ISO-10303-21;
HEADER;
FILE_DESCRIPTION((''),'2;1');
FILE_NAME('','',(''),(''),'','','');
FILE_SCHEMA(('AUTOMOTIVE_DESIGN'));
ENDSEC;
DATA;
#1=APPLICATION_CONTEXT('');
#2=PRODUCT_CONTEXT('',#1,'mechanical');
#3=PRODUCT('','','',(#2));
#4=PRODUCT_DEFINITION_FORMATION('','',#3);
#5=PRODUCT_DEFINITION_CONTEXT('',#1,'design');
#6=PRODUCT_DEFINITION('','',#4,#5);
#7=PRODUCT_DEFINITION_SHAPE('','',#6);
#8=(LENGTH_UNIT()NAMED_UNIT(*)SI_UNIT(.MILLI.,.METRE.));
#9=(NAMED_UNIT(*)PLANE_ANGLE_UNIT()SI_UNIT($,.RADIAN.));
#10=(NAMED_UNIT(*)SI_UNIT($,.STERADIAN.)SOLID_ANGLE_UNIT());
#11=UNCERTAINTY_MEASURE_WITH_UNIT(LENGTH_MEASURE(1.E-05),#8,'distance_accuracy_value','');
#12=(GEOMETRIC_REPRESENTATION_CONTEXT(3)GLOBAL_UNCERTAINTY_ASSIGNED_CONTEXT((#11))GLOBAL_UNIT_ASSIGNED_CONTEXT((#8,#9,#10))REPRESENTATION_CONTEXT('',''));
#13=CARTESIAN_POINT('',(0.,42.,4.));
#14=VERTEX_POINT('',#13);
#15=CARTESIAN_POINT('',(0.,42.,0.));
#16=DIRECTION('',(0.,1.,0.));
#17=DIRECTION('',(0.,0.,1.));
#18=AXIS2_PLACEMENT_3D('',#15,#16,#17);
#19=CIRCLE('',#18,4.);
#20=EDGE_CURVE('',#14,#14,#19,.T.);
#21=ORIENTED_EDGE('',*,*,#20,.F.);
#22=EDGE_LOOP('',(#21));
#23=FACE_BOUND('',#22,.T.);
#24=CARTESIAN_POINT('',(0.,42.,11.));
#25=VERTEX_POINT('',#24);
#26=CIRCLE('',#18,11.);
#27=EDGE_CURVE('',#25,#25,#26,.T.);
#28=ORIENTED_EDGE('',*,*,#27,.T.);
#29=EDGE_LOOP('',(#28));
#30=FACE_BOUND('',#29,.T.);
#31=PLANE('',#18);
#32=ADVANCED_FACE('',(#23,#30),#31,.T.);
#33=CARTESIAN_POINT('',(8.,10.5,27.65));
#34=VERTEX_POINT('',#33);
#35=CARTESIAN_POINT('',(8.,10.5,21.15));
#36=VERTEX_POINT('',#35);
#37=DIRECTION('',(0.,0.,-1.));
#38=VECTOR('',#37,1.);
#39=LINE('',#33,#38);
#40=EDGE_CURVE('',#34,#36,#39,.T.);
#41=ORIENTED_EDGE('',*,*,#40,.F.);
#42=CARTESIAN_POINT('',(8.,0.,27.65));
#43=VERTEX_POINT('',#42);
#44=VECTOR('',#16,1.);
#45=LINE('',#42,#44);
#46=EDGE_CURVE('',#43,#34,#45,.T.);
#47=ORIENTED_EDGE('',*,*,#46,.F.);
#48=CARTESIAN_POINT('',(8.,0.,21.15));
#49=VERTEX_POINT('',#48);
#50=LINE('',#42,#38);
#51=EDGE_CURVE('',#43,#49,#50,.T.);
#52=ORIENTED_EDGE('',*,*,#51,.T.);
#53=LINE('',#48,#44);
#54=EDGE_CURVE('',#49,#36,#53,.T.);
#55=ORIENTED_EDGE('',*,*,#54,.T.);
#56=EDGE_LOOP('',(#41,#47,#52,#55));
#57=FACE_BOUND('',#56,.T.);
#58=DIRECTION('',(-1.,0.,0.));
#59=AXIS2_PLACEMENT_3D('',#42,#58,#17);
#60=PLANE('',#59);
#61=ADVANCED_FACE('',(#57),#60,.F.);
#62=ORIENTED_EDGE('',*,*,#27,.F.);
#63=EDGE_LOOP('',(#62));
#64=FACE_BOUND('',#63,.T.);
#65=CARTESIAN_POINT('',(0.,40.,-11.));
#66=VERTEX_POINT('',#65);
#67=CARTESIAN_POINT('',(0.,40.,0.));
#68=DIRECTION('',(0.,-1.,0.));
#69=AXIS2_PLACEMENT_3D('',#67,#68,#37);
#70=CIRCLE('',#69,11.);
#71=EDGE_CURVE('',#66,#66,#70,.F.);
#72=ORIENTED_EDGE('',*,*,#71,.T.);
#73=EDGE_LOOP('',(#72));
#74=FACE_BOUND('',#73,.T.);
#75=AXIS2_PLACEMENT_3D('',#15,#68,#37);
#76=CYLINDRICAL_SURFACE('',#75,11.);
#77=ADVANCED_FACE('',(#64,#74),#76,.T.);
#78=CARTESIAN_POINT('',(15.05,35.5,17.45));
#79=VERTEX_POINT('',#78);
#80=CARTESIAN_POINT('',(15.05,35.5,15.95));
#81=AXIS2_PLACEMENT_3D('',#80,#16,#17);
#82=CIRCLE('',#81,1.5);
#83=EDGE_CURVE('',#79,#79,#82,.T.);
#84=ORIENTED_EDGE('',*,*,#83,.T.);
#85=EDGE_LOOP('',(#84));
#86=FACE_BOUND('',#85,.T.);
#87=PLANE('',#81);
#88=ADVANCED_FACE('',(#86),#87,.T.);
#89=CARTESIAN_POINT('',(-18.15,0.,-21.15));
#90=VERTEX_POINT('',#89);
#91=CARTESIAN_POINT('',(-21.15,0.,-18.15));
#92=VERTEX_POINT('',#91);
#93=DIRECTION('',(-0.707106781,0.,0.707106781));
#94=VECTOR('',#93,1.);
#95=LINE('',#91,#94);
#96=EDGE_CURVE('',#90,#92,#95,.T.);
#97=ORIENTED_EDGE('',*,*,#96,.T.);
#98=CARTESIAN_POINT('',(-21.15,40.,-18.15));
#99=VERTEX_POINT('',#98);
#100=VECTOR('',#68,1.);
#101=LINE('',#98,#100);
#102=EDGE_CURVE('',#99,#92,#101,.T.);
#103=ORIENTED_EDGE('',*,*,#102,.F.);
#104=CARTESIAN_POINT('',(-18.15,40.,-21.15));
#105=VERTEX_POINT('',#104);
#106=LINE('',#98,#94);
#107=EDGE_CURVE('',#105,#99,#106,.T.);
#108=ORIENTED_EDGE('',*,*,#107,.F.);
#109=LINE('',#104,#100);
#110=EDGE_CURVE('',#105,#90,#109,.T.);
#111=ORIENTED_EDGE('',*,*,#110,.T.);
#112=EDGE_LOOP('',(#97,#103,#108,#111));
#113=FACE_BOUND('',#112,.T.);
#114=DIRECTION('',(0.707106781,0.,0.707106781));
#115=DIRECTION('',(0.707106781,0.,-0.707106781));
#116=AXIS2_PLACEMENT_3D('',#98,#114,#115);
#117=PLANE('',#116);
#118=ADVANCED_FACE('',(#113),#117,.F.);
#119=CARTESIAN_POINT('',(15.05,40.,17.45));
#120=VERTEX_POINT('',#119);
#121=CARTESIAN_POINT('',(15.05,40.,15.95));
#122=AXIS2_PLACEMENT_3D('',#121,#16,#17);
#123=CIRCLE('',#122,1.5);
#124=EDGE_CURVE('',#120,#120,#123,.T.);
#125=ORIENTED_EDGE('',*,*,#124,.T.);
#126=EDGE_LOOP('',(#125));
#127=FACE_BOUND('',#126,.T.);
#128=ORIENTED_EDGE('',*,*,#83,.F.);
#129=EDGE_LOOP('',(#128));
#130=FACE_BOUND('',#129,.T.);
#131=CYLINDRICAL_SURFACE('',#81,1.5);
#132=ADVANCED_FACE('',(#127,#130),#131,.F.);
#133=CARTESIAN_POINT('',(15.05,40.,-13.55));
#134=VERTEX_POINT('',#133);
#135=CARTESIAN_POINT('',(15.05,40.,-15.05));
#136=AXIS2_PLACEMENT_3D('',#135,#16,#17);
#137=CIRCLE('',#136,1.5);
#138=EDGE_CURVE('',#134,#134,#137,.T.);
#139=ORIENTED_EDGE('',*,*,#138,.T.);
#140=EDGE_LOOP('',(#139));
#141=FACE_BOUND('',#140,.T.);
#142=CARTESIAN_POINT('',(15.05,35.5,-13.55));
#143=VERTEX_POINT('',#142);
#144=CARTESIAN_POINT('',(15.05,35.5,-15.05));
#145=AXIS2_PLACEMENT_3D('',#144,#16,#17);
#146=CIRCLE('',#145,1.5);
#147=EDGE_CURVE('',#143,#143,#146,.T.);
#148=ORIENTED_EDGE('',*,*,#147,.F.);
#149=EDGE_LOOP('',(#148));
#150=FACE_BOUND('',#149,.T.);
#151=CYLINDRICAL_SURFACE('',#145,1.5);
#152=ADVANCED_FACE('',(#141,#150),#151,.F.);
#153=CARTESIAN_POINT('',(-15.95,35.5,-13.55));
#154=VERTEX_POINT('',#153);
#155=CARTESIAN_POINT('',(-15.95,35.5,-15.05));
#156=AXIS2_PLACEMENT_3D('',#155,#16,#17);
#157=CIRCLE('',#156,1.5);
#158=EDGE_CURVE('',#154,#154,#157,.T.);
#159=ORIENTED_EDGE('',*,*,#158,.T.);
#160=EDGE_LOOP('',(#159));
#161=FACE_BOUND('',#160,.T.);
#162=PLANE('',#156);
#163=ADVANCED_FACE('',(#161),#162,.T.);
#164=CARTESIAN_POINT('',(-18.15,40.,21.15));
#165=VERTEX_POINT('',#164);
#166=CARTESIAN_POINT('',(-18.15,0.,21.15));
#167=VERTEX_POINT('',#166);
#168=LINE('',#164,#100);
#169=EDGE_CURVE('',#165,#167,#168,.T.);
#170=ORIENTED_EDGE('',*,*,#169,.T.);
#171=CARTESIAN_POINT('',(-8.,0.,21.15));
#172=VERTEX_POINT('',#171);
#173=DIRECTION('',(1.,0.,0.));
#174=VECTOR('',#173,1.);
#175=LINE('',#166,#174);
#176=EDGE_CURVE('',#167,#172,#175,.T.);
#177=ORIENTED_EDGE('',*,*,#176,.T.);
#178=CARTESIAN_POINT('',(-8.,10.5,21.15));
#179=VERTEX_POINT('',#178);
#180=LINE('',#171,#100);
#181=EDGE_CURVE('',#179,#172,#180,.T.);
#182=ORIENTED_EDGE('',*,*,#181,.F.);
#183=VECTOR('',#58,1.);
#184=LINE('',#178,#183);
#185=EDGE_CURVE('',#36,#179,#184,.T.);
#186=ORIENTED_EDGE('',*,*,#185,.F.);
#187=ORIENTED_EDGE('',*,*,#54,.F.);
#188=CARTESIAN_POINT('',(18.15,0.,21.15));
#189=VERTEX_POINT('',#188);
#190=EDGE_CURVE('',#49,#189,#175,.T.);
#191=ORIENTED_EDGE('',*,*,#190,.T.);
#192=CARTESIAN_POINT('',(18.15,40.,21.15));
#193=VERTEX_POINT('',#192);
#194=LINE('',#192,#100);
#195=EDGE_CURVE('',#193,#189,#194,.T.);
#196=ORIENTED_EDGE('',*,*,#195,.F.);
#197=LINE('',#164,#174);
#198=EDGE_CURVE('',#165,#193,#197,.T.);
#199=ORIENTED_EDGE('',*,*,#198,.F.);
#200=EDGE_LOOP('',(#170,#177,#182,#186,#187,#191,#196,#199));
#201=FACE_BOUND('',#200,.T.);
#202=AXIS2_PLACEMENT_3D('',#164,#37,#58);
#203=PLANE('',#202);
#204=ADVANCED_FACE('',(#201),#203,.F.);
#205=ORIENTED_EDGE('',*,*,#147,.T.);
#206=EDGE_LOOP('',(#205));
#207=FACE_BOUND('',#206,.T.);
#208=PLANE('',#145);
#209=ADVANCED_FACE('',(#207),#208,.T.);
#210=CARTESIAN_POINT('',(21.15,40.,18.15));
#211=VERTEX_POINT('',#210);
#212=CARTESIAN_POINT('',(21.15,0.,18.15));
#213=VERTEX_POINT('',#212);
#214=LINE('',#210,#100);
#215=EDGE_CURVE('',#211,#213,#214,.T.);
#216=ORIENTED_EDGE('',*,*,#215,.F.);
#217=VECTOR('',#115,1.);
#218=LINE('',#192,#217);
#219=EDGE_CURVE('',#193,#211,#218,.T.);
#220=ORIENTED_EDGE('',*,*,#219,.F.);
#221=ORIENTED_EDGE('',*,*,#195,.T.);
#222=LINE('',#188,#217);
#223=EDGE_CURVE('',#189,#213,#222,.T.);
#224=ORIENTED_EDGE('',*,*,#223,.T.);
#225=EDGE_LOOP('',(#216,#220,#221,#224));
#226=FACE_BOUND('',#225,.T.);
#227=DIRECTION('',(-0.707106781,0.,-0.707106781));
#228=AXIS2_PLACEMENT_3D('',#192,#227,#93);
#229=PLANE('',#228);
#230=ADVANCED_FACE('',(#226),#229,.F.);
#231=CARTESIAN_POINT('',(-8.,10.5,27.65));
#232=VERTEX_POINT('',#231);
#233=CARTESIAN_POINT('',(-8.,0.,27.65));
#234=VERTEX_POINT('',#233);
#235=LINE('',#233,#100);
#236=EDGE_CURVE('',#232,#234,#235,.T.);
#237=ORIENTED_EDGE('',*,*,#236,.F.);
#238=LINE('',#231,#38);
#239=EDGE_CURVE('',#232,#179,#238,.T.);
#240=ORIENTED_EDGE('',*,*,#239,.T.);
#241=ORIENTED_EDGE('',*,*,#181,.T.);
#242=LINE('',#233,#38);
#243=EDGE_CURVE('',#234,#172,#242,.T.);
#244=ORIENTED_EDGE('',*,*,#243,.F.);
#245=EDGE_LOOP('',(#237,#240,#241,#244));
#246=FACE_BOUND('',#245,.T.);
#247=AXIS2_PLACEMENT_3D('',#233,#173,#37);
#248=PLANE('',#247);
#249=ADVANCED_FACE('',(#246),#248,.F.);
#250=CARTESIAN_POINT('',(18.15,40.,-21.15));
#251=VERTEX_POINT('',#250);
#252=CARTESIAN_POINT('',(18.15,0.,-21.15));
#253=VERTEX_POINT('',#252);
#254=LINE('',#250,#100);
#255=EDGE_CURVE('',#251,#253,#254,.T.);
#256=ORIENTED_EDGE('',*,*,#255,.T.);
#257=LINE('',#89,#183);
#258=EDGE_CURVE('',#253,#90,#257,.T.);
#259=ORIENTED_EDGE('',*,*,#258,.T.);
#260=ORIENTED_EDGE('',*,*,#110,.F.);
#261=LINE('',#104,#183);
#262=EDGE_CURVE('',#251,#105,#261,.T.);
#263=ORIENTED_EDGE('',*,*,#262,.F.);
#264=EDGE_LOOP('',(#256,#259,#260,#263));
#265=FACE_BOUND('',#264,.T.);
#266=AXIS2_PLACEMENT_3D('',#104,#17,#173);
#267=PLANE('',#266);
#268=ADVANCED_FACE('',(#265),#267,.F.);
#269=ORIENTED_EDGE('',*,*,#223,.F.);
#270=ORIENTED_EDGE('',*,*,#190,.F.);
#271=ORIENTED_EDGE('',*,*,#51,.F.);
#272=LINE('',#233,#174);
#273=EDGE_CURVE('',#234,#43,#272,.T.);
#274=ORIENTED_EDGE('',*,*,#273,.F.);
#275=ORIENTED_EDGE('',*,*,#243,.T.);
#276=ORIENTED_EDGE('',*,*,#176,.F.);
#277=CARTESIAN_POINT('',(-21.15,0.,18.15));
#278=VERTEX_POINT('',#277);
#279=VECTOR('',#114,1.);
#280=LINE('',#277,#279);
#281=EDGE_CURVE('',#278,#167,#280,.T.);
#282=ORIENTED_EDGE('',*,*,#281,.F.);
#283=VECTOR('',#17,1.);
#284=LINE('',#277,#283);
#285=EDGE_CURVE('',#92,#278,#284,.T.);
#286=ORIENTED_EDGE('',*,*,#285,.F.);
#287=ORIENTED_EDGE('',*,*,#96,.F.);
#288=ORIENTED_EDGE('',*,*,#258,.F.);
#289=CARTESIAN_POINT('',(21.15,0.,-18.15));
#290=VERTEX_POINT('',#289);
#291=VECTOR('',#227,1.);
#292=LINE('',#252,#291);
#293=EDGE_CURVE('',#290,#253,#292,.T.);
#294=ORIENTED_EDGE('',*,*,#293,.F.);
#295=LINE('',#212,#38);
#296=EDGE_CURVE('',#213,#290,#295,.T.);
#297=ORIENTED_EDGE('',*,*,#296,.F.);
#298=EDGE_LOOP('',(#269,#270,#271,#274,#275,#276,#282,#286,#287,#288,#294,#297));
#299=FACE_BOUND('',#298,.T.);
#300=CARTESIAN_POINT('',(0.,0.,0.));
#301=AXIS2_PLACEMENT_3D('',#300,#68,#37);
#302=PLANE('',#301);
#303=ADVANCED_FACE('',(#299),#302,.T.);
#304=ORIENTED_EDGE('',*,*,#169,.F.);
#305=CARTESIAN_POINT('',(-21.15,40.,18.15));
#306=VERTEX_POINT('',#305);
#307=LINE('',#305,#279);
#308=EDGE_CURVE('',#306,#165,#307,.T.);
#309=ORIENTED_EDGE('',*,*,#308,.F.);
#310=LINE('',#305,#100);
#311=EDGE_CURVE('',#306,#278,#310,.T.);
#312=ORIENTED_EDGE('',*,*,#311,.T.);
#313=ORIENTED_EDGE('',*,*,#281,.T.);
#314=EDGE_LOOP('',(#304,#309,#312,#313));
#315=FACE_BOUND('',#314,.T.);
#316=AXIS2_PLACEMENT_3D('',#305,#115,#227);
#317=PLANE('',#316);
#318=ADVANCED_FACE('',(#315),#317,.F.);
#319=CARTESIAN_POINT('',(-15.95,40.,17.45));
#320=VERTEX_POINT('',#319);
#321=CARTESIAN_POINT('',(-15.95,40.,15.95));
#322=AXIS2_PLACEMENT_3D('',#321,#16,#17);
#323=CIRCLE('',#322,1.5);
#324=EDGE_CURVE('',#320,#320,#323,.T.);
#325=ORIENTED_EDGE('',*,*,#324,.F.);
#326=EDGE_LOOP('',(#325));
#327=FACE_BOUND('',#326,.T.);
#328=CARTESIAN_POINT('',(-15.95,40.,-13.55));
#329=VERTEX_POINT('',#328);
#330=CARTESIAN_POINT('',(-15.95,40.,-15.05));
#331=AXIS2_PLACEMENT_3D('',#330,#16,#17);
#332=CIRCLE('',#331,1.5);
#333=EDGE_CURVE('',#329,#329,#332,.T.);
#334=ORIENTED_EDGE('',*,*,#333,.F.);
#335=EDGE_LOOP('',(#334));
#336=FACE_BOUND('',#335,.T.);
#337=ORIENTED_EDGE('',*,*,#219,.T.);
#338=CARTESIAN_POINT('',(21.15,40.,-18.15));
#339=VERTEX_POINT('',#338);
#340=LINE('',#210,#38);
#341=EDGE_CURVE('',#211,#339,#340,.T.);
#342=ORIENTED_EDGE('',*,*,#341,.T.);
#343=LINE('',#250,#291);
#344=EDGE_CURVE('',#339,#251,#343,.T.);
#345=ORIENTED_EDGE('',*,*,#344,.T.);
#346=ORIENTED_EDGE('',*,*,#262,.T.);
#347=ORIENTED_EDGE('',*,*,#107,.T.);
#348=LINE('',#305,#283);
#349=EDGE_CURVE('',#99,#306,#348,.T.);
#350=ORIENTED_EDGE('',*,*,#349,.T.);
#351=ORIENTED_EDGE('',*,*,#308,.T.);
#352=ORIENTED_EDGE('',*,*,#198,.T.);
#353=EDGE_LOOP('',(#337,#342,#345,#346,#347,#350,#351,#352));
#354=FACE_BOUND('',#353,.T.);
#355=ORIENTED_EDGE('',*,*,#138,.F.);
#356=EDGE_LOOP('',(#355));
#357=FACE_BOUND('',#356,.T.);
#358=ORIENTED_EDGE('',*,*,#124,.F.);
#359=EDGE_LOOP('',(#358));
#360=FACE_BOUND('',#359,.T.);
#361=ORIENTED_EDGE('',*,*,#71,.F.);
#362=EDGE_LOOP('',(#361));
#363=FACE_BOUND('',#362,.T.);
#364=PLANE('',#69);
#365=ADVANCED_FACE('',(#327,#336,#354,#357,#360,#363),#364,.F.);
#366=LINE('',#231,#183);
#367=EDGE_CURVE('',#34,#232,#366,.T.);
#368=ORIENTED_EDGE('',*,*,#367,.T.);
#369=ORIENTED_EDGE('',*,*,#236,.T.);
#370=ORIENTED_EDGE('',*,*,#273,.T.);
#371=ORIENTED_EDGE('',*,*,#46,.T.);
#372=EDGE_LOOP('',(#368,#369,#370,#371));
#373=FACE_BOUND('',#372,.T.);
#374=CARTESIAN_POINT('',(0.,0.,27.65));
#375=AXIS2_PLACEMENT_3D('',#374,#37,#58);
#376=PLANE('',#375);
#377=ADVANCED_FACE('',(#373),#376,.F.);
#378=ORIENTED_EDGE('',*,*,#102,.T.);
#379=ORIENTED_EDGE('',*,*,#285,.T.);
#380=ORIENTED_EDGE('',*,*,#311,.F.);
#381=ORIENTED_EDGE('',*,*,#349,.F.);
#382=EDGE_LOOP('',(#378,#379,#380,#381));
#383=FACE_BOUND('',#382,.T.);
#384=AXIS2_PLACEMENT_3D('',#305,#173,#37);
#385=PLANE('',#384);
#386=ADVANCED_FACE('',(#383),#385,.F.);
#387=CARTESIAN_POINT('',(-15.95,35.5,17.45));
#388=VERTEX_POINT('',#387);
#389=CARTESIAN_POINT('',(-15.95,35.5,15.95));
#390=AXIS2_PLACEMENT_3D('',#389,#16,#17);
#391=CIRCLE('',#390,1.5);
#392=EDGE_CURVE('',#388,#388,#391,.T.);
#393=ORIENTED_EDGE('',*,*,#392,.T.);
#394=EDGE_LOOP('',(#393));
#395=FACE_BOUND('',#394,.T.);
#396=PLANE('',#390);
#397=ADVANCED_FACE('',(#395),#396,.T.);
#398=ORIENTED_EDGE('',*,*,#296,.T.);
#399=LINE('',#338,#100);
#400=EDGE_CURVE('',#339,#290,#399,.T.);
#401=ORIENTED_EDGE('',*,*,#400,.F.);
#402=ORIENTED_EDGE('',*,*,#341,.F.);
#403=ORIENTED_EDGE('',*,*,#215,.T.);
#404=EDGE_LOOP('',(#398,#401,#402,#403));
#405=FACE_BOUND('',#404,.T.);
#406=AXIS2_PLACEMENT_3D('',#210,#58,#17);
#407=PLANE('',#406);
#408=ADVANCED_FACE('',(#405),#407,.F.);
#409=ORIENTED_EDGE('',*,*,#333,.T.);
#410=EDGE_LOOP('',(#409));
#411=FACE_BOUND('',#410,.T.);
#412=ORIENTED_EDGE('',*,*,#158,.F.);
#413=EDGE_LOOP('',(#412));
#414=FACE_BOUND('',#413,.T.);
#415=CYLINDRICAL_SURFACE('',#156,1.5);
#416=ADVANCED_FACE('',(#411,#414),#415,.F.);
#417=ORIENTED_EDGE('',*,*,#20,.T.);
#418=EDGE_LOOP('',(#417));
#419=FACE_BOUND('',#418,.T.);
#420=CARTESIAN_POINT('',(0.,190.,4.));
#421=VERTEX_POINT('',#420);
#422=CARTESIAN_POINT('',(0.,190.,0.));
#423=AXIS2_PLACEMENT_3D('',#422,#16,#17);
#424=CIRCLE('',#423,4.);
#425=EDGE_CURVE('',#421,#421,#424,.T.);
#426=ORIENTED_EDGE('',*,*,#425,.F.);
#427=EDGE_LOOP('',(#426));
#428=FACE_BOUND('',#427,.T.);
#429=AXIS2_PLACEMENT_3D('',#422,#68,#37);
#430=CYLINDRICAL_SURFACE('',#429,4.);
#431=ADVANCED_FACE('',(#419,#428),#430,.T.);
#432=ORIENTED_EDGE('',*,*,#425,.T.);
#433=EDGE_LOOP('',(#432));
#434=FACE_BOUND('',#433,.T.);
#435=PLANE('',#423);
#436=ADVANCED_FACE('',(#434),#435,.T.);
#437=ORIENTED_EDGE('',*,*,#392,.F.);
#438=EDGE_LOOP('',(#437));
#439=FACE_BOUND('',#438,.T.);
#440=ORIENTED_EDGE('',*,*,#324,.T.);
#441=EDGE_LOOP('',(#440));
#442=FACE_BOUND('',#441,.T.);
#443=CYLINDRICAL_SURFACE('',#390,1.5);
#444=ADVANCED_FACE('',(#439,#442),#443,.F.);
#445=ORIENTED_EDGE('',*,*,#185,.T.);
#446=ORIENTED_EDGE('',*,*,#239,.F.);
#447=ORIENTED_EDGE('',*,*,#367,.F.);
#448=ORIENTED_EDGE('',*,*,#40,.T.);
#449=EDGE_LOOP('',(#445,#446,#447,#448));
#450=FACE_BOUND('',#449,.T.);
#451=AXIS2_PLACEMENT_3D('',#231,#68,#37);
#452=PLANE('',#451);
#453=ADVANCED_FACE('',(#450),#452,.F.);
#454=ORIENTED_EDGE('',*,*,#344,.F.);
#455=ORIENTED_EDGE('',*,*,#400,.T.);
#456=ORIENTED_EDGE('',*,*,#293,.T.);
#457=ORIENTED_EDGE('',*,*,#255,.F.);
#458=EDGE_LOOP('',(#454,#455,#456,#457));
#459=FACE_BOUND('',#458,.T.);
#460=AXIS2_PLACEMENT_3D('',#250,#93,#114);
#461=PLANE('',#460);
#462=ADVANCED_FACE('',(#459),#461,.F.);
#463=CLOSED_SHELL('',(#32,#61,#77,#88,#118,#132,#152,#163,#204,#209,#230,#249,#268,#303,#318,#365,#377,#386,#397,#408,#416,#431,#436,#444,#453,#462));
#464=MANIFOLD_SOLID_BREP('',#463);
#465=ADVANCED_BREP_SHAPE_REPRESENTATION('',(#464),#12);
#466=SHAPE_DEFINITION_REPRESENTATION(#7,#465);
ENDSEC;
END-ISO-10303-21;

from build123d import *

# Parameters (mm, degrees)
SALIENTE_EXTRUIR1_DEPTH = 40
CROQUIS2_R              = 1.5
CORTAR_EXTRUIR2_DEPTH   = 4.5
CROQUIS3_R              = 11
CROQUIS3_R_2            = 4
SALIENTE_EXTRUIR3_DEPTH = 2
CROQUIS8_R              = 4
SALIENTE_EXTRUIR4_DEPTH = 150
CROQUIS9_W              = 16
CROQUIS9_H              = 10.5
SALIENTE_EXTRUIR6_DEPTH = 6.5


with BuildPart() as part:
    # Croquis1 → Saliente-Extruir1 (new body)
    with BuildSketch(Plane(origin=(0, 0, 0), x_dir=(1, 0, 0), z_dir=(0, 1, 0))):
        Polygon((-18.15, -21.15), (18.15, -21.15), (21.15, -18.15), (21.15, 18.15), (18.15, 21.15), (-18.15, 21.15), (-21.15, 18.15), (-21.15, -18.15), align=None)
    extrude(amount=SALIENTE_EXTRUIR1_DEPTH)

    # Croquis2 → Cortar-Extruir2 (cut)
    with BuildSketch(Plane(origin=(0, 40, 0), x_dir=(1, 0, 0), z_dir=(0, 1, 0))):
        with Locations(Location((15.05, 15.05, 0), (0, 0, 270))):
            Circle(CROQUIS2_R)
        with Locations(Location((-15.95, 15.05, 0), (0, 0, 270))):
            Circle(CROQUIS2_R)
        with Locations(Location((-15.95, -15.95, 0), (0, 0, 270))):
            Circle(CROQUIS2_R)
        with Locations(Location((15.05, -15.95, 0), (0, 0, 270))):
            Circle(CROQUIS2_R)
    extrude(amount=-CORTAR_EXTRUIR2_DEPTH, mode=Mode.SUBTRACT)

    # Croquis3 → Saliente-Extruir3 (add)
    with BuildSketch(Plane(origin=(0, 40, 0), x_dir=(1, 0, 0), z_dir=(0, 1, 0))):
        with Locations(Location((0, 0, 0), (0, 0, 90))):
            Circle(CROQUIS3_R)
        with Locations(Location((0, 0, 0), (0, 0, 270))):
            Circle(CROQUIS3_R_2, mode=Mode.SUBTRACT)
    extrude(amount=SALIENTE_EXTRUIR3_DEPTH)

    # Croquis8 → Saliente-Extruir4 (add)
    with BuildSketch(Plane(origin=(0, 40, 0), x_dir=(1, 0, 0), z_dir=(0, 1, 0))):
        with Locations(Location((0, 0, 0), (0, 0, 270))):
            Circle(CROQUIS8_R)
    extrude(amount=SALIENTE_EXTRUIR4_DEPTH)

    # Croquis9 → Saliente-Extruir6 (add)
    with BuildSketch(Plane.XY.offset(21.15)):
        with Locations((0, 5.25)):
            Rectangle(CROQUIS9_W, CROQUIS9_H)
    extrude(amount=SALIENTE_EXTRUIR6_DEPTH)


solid = part.part
